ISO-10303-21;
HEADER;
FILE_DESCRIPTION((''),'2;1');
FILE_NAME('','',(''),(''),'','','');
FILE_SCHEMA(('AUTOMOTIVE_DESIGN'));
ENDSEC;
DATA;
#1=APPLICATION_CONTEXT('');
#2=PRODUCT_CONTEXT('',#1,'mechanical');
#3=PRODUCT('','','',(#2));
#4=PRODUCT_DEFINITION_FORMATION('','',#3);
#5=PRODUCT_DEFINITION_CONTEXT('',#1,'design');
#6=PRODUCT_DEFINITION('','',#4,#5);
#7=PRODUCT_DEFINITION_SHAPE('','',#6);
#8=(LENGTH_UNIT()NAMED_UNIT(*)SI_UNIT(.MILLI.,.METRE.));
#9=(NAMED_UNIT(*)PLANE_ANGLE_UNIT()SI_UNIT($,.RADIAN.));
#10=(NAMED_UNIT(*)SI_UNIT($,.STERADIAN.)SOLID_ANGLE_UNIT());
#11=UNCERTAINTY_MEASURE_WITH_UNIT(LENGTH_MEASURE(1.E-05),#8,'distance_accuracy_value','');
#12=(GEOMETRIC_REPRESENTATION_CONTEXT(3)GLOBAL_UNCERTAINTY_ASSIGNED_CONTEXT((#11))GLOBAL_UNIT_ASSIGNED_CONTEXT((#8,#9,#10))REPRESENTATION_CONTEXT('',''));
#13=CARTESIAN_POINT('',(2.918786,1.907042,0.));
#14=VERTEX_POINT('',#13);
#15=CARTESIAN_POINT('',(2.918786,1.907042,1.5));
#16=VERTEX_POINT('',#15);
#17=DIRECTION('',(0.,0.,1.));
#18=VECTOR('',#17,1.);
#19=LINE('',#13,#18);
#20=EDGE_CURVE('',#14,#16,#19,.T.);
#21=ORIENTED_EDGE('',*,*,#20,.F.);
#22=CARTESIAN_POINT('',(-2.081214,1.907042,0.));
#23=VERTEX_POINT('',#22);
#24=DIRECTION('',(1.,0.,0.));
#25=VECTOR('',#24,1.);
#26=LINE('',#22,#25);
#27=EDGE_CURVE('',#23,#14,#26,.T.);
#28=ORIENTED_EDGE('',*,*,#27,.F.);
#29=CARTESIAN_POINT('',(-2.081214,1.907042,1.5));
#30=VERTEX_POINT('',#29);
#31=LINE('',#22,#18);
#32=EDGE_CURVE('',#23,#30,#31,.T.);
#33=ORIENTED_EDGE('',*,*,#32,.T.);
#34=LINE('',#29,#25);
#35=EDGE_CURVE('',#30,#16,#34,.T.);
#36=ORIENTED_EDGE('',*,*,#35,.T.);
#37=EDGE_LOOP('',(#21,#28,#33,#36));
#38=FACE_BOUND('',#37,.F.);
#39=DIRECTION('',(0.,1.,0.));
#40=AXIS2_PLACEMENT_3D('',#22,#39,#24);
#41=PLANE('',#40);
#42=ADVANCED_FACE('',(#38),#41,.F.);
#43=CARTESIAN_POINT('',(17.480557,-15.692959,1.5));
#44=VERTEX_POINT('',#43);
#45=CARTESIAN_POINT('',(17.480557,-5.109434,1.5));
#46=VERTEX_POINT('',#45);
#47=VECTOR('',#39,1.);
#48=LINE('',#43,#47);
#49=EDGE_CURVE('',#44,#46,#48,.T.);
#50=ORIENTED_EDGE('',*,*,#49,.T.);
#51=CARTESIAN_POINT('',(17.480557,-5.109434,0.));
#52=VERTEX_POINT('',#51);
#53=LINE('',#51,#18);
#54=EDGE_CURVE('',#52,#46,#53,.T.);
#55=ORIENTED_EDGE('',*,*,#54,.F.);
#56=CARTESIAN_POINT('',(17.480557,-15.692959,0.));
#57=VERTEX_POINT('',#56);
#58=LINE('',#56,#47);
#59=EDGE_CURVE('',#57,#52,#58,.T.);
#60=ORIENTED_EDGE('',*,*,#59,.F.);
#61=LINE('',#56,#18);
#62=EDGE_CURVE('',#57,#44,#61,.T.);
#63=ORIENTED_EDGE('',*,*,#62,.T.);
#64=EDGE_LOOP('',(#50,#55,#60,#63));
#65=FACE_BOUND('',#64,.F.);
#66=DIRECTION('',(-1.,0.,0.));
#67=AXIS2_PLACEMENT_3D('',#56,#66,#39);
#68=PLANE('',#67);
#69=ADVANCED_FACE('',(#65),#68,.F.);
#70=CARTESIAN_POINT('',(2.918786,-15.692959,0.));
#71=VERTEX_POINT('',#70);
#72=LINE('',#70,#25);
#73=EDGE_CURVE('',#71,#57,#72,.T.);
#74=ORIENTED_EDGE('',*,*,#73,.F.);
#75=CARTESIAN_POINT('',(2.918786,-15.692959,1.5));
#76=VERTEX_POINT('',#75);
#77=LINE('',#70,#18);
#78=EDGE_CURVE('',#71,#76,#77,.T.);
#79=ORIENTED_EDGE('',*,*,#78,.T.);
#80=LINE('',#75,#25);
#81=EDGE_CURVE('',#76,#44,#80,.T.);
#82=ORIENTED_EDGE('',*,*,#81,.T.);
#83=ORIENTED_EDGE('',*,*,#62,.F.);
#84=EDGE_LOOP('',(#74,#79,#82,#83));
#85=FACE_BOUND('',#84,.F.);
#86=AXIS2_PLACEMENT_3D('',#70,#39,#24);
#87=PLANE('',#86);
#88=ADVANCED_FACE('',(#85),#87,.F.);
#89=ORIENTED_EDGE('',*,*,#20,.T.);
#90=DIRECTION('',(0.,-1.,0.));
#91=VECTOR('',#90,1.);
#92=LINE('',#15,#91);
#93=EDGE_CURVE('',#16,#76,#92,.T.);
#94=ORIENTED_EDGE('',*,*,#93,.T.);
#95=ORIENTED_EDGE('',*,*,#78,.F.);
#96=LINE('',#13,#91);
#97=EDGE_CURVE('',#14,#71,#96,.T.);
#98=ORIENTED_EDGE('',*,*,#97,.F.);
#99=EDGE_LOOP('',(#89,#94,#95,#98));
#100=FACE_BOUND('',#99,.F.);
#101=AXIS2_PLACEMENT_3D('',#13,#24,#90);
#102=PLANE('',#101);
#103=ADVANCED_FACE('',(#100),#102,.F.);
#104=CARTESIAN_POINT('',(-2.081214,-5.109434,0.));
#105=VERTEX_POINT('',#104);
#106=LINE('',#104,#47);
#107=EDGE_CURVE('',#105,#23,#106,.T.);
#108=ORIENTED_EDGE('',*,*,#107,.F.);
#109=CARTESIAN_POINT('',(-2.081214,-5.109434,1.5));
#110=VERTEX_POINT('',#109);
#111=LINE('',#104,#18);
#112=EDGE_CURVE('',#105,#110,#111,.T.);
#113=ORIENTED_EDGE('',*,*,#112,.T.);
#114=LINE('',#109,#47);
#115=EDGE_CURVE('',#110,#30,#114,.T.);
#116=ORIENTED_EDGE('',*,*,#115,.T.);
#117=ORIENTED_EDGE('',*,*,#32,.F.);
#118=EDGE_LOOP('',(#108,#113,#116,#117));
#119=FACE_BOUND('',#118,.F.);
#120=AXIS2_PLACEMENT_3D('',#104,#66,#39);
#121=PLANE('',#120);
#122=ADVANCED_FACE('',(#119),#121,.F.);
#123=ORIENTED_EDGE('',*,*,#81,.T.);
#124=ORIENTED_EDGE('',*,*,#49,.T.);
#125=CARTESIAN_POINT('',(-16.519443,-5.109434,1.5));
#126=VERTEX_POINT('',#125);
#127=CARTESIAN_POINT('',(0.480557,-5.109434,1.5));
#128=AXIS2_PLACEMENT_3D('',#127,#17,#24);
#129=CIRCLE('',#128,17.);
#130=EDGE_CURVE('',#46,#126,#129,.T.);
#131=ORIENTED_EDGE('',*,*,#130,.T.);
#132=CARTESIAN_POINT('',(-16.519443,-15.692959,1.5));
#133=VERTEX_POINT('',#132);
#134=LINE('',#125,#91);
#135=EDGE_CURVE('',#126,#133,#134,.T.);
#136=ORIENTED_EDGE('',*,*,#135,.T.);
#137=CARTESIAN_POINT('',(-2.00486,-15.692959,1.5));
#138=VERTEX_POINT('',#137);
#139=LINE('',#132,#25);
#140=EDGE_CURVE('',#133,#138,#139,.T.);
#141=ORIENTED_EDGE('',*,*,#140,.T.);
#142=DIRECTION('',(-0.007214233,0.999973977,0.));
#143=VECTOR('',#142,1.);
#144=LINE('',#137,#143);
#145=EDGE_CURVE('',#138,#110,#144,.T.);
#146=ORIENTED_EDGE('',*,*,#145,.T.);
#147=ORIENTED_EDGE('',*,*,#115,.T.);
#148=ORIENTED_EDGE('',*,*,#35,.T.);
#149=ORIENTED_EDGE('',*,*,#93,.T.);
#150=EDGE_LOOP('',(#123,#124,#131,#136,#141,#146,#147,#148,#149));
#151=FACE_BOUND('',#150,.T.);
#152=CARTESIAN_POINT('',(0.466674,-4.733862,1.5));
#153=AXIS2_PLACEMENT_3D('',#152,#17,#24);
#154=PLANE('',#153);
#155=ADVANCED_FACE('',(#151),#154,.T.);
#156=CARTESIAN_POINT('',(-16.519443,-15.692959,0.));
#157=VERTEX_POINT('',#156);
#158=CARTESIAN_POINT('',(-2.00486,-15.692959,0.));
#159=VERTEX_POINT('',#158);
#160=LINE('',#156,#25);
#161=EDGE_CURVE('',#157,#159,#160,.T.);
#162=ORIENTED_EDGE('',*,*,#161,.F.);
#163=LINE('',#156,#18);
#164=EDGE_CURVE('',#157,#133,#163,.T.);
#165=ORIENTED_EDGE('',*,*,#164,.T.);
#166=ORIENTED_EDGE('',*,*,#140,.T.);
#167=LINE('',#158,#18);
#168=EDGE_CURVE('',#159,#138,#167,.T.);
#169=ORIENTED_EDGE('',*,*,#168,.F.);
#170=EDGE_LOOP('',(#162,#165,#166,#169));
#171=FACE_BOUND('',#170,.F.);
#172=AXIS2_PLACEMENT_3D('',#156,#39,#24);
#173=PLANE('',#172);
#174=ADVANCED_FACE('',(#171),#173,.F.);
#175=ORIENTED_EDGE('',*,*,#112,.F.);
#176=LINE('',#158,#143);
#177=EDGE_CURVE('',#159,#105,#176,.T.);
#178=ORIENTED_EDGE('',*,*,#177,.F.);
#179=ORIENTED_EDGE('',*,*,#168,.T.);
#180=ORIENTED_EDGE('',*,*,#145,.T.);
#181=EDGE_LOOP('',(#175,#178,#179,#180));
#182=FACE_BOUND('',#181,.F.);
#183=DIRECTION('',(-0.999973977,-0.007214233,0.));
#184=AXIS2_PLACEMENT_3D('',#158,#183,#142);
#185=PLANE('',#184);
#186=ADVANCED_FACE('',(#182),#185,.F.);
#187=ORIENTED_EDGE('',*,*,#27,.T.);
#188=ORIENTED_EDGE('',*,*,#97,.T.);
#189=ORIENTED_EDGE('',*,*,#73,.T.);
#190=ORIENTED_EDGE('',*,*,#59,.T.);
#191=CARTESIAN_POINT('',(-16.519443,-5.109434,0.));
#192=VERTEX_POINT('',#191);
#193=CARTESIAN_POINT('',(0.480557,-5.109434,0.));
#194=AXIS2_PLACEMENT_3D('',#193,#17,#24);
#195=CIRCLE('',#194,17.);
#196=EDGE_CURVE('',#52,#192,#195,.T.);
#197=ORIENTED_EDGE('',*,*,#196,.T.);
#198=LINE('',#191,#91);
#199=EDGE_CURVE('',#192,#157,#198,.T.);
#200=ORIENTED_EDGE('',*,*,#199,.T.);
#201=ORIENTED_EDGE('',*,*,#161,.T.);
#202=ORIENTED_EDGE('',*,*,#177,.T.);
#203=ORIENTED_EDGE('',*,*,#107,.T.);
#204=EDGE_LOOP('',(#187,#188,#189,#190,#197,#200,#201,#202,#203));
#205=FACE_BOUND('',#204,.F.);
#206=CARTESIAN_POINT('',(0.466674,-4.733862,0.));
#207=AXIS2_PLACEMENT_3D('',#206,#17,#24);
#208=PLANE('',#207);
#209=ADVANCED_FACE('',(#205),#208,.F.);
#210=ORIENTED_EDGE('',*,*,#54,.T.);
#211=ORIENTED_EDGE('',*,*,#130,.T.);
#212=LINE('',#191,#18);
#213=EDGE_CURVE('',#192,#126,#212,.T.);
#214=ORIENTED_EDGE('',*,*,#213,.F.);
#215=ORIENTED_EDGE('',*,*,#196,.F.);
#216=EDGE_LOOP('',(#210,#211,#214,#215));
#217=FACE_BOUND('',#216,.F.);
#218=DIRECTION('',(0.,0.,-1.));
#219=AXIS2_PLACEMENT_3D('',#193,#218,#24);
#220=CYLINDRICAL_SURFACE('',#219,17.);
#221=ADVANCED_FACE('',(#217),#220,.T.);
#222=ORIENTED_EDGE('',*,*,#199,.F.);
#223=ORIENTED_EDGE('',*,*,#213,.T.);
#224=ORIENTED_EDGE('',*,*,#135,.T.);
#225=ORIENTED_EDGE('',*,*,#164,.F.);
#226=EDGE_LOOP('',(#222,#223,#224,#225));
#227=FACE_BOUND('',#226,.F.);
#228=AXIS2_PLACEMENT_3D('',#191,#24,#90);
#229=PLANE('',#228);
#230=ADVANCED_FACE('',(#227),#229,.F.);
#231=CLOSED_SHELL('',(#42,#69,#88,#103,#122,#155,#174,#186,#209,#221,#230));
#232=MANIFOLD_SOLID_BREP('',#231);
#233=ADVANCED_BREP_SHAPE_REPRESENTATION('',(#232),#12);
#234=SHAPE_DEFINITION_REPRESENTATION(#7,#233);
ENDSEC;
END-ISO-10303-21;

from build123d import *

# Parameters (mm, degrees)
F1_DEPTH = 1.5


with BuildPart() as f1:
    # F0 (on Top) → F1 (new body)
    with BuildSketch(Plane.XY):
        with BuildLine():
            Line((17.480557, -15.692959), (17.480557, -5.109434))
            ThreePointArc((17.480557, -5.109434), (0.480557, 11.890566), (-16.519443, -5.109434))
            Line((-16.519443, -5.109434), (-16.519443, -15.692959))
            Line((-16.519443, -15.692959), (-2.00486, -15.692959))
            Line((-2.00486, -15.692959), (-2.081214, -5.109434))
            Line((-2.081214, -5.109434), (-2.081214, 1.907042))
            Line((-2.081214, 1.907042), (0.418786, 1.907042))
            Line((0.418786, 1.907042), (2.918786, 1.907042))
            Line((2.918786, 1.907042), (2.918786, -5.109434))
            Line((2.918786, -5.109434), (2.918786, -15.692959))
            Line((2.918786, -15.692959), (17.480557, -15.692959))
        make_face()
    extrude(amount=F1_DEPTH)


solid = f1.part
